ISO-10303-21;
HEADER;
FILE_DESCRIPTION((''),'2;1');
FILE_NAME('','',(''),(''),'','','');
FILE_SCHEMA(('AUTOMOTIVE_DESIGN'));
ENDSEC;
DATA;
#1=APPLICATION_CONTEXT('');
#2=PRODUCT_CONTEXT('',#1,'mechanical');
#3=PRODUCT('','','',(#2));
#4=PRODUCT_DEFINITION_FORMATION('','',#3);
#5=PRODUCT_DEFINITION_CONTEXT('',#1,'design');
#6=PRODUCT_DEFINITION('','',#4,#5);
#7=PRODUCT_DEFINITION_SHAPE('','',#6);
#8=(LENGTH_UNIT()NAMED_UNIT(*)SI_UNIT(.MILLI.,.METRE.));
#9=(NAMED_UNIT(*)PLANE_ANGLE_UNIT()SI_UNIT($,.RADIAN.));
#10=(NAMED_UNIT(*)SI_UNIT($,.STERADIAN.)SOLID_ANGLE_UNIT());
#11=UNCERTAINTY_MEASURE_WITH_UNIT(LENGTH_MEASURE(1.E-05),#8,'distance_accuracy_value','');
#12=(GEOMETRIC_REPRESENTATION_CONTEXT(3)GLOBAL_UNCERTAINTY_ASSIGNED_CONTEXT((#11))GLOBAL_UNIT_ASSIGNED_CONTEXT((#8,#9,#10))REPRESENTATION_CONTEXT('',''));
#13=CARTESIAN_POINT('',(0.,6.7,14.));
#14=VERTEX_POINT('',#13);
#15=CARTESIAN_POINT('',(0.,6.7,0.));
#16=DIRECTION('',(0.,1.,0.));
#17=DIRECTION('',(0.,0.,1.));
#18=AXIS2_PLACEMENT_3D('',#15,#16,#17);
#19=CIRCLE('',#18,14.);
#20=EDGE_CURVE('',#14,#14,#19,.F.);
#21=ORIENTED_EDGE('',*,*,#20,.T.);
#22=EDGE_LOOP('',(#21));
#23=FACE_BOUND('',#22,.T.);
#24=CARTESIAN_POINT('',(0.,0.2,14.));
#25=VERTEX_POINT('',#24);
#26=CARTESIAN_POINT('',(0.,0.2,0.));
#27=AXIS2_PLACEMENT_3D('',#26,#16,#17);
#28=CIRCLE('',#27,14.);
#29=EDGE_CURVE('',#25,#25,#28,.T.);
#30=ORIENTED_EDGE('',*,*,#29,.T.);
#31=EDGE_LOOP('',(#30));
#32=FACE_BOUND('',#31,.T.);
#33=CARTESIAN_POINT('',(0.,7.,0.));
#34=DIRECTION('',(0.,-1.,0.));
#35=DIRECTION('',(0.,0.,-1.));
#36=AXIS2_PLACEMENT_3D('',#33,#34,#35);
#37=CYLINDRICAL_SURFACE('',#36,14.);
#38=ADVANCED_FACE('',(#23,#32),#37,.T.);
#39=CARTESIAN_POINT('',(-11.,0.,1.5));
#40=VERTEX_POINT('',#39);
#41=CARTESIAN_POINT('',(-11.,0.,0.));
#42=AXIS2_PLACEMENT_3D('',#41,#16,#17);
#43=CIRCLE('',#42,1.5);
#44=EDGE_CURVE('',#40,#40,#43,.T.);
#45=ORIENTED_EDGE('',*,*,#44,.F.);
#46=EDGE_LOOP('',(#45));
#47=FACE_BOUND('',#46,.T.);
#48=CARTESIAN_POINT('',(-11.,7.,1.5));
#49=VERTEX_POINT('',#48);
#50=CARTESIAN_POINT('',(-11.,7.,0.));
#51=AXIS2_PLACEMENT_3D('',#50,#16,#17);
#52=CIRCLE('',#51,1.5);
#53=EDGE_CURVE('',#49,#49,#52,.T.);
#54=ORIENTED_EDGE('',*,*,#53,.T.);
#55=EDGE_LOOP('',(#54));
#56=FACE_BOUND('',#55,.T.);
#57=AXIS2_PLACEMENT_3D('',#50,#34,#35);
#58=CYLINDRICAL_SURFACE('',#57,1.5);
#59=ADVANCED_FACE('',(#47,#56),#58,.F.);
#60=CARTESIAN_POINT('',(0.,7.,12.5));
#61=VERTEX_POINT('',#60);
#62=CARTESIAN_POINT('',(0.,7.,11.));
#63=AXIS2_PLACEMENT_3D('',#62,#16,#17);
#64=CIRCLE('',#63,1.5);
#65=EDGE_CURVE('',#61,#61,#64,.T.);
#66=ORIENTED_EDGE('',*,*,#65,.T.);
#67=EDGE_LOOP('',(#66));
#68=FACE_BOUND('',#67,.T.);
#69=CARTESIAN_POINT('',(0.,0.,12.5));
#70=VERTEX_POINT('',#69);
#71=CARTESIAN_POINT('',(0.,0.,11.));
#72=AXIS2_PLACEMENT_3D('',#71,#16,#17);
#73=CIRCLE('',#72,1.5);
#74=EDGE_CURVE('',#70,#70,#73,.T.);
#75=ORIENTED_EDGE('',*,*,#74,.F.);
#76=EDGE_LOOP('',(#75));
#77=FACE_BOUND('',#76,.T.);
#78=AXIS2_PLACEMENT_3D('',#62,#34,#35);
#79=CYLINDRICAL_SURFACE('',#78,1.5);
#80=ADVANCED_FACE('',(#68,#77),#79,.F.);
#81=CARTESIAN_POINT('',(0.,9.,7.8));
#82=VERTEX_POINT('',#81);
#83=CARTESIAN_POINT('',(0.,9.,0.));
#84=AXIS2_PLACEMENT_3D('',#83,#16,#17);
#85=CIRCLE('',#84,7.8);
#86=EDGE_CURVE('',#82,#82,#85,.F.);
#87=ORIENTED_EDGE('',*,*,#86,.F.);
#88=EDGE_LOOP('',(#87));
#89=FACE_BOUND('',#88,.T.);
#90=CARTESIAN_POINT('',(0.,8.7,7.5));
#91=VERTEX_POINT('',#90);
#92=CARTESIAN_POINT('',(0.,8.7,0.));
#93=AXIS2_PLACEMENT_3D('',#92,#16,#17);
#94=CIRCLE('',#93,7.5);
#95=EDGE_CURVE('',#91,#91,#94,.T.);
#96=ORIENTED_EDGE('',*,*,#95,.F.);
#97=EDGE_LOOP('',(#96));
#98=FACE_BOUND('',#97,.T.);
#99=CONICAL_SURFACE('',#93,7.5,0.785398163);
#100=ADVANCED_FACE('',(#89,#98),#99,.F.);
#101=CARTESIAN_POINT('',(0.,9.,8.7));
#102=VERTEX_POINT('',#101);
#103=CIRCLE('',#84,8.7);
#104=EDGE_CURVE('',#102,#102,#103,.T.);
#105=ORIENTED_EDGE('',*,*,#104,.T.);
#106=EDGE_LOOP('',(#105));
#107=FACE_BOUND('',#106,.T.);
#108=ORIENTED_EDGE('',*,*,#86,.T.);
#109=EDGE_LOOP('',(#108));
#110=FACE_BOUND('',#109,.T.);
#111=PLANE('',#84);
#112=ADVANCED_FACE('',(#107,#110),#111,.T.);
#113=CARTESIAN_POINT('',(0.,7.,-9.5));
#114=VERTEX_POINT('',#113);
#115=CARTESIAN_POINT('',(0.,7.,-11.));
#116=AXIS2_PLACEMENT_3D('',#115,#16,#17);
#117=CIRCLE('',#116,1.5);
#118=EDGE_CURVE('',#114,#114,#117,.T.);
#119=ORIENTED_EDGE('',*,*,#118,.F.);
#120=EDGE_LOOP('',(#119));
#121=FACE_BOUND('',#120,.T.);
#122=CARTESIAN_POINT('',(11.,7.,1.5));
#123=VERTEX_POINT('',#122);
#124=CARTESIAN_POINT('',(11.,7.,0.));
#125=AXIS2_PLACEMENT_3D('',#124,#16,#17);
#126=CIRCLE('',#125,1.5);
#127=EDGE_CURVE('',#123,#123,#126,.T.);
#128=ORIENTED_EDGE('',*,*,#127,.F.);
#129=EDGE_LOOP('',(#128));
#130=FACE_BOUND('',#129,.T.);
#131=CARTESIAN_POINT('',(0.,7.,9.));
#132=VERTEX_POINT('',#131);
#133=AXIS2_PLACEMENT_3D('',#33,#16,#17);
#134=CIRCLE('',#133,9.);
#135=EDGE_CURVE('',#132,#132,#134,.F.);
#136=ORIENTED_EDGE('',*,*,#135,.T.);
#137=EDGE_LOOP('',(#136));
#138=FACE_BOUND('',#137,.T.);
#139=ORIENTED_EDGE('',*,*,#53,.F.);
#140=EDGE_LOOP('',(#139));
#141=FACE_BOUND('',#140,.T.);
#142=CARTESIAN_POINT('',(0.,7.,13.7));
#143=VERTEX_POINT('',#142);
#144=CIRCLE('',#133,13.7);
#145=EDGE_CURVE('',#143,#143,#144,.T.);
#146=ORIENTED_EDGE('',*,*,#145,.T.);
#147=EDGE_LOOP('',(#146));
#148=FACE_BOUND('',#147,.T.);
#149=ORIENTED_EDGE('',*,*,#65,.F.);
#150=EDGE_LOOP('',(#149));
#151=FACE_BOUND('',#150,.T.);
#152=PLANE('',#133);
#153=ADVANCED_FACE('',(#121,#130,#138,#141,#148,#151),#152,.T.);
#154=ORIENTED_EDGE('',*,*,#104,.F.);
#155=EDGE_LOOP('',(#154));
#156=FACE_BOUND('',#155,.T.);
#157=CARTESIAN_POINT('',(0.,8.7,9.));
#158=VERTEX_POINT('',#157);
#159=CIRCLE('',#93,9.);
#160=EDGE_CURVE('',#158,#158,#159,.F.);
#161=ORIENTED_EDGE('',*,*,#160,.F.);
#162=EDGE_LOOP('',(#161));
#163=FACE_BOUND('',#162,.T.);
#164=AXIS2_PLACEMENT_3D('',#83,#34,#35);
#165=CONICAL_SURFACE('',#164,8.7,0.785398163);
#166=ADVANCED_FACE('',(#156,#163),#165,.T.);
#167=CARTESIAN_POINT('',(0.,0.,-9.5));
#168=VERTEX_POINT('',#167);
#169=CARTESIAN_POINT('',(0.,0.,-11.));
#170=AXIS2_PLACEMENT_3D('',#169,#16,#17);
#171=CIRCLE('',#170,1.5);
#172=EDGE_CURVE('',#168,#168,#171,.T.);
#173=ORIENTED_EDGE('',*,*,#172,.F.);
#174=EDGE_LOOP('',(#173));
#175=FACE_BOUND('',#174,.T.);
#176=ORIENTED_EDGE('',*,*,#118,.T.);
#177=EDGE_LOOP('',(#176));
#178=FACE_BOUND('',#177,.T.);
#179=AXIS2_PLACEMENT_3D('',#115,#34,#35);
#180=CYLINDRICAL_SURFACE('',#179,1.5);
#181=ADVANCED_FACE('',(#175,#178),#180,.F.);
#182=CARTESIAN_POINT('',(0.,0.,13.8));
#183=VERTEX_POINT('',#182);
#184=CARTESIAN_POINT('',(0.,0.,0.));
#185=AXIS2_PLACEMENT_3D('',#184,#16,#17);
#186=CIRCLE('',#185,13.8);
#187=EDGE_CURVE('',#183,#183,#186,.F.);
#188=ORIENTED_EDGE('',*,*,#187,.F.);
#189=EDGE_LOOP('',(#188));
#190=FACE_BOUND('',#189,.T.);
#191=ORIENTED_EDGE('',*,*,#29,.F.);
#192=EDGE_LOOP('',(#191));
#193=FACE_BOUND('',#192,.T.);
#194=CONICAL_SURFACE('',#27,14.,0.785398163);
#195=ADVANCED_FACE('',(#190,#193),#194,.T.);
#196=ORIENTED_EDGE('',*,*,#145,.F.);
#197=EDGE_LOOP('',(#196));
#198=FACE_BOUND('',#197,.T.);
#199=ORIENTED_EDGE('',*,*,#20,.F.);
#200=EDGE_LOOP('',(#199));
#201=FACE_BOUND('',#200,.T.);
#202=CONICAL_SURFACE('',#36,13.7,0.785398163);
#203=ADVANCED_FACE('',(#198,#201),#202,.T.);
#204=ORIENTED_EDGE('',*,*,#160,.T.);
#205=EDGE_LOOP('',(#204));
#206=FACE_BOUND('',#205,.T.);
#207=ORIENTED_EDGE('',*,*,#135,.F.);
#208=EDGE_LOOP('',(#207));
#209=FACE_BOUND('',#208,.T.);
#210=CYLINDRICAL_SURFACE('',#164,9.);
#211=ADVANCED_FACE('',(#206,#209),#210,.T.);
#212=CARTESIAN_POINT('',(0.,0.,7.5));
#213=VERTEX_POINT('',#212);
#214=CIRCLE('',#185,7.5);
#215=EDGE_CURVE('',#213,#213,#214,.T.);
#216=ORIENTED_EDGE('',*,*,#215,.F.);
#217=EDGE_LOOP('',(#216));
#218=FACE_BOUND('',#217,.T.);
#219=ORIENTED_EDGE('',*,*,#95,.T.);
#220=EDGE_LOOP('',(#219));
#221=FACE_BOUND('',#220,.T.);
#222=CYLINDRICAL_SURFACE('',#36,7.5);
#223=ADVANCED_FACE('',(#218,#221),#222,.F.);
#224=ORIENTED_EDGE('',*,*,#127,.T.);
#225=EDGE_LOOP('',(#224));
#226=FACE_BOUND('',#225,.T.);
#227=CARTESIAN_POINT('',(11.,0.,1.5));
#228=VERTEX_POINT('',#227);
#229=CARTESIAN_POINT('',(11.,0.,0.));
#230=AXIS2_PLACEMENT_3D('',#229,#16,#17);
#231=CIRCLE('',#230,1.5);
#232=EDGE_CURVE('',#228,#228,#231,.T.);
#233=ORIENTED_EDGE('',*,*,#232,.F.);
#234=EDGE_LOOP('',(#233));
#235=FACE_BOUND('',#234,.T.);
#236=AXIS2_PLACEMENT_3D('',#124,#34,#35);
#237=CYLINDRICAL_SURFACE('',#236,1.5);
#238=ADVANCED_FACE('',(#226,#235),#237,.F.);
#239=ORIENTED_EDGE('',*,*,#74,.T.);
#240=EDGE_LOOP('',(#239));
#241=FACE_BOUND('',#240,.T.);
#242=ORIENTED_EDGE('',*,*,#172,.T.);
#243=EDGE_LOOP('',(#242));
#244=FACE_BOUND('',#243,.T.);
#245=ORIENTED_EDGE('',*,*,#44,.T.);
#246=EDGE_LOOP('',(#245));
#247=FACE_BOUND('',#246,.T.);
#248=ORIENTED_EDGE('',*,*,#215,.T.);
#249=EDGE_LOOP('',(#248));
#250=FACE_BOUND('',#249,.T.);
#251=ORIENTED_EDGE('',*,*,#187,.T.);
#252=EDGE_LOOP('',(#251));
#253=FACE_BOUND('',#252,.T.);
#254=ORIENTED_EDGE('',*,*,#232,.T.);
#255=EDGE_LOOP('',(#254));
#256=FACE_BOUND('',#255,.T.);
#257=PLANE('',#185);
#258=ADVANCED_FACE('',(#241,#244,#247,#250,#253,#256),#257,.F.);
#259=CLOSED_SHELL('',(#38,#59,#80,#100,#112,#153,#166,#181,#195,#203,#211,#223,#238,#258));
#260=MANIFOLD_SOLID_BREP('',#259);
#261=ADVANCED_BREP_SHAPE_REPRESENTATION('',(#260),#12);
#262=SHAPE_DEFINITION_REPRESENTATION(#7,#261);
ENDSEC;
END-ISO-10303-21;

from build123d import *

# Parameters (mm, degrees)
SKETCH_1_R      = 14
SKETCH_1_R_2    = 1.5
SKETCH_1_R_3    = 7.5
EXTRUDE_1_DEPTH = 7
SKETCH_1_3_R    = 9
SKETCH_1_3_R_2  = 7.5
EXTRUDE_2_DEPTH = 9
CHAMFER_1_SIZE  = 0.3
CHAMFER_4_SIZE  = 0.2


with BuildPart() as part:
    # Эскиз1 → Бобышка-Вытянуть1 (new body)
    with BuildSketch(Plane(origin=(0, 0, 0), x_dir=(1, 0, 0), z_dir=(0, 1, 0))):
        Circle(SKETCH_1_R)
        with Locations((-11, 0)):
            Circle(SKETCH_1_R_2, mode=Mode.SUBTRACT)
        with Locations((0, -11)):
            Circle(SKETCH_1_R_2, mode=Mode.SUBTRACT)
        with Locations((11, 0)):
            Circle(SKETCH_1_R_2, mode=Mode.SUBTRACT)
        with Locations((0, 11)):
            Circle(SKETCH_1_R_2, mode=Mode.SUBTRACT)
        Circle(SKETCH_1_R_3, mode=Mode.SUBTRACT)
    extrude(amount=EXTRUDE_1_DEPTH)

    # Эскиз1<3> → Бобышка-Вытянуть2 (add)
    with BuildSketch(Plane(origin=(0, 0, 0), x_dir=(1, 0, 0), z_dir=(0, 1, 0))):
        Circle(SKETCH_1_3_R)
        Circle(SKETCH_1_3_R_2, mode=Mode.SUBTRACT)
    extrude(amount=EXTRUDE_2_DEPTH)

    # Фаска1
    chamfer_1_edges = [part.edges().sort_by_distance(p)[0] for p in [
        (-9, 9, 0),
        (-14, 7, 0),
        (-7.5, 9, 0),
    ]]
    chamfer(chamfer_1_edges, length=CHAMFER_1_SIZE)

    # Фаска4
    chamfer_4_edges = [part.edges().sort_by_distance(p)[0] for p in [
        (-14, 0, 0),
    ]]
    chamfer(chamfer_4_edges, length=CHAMFER_4_SIZE)


solid = part.part
